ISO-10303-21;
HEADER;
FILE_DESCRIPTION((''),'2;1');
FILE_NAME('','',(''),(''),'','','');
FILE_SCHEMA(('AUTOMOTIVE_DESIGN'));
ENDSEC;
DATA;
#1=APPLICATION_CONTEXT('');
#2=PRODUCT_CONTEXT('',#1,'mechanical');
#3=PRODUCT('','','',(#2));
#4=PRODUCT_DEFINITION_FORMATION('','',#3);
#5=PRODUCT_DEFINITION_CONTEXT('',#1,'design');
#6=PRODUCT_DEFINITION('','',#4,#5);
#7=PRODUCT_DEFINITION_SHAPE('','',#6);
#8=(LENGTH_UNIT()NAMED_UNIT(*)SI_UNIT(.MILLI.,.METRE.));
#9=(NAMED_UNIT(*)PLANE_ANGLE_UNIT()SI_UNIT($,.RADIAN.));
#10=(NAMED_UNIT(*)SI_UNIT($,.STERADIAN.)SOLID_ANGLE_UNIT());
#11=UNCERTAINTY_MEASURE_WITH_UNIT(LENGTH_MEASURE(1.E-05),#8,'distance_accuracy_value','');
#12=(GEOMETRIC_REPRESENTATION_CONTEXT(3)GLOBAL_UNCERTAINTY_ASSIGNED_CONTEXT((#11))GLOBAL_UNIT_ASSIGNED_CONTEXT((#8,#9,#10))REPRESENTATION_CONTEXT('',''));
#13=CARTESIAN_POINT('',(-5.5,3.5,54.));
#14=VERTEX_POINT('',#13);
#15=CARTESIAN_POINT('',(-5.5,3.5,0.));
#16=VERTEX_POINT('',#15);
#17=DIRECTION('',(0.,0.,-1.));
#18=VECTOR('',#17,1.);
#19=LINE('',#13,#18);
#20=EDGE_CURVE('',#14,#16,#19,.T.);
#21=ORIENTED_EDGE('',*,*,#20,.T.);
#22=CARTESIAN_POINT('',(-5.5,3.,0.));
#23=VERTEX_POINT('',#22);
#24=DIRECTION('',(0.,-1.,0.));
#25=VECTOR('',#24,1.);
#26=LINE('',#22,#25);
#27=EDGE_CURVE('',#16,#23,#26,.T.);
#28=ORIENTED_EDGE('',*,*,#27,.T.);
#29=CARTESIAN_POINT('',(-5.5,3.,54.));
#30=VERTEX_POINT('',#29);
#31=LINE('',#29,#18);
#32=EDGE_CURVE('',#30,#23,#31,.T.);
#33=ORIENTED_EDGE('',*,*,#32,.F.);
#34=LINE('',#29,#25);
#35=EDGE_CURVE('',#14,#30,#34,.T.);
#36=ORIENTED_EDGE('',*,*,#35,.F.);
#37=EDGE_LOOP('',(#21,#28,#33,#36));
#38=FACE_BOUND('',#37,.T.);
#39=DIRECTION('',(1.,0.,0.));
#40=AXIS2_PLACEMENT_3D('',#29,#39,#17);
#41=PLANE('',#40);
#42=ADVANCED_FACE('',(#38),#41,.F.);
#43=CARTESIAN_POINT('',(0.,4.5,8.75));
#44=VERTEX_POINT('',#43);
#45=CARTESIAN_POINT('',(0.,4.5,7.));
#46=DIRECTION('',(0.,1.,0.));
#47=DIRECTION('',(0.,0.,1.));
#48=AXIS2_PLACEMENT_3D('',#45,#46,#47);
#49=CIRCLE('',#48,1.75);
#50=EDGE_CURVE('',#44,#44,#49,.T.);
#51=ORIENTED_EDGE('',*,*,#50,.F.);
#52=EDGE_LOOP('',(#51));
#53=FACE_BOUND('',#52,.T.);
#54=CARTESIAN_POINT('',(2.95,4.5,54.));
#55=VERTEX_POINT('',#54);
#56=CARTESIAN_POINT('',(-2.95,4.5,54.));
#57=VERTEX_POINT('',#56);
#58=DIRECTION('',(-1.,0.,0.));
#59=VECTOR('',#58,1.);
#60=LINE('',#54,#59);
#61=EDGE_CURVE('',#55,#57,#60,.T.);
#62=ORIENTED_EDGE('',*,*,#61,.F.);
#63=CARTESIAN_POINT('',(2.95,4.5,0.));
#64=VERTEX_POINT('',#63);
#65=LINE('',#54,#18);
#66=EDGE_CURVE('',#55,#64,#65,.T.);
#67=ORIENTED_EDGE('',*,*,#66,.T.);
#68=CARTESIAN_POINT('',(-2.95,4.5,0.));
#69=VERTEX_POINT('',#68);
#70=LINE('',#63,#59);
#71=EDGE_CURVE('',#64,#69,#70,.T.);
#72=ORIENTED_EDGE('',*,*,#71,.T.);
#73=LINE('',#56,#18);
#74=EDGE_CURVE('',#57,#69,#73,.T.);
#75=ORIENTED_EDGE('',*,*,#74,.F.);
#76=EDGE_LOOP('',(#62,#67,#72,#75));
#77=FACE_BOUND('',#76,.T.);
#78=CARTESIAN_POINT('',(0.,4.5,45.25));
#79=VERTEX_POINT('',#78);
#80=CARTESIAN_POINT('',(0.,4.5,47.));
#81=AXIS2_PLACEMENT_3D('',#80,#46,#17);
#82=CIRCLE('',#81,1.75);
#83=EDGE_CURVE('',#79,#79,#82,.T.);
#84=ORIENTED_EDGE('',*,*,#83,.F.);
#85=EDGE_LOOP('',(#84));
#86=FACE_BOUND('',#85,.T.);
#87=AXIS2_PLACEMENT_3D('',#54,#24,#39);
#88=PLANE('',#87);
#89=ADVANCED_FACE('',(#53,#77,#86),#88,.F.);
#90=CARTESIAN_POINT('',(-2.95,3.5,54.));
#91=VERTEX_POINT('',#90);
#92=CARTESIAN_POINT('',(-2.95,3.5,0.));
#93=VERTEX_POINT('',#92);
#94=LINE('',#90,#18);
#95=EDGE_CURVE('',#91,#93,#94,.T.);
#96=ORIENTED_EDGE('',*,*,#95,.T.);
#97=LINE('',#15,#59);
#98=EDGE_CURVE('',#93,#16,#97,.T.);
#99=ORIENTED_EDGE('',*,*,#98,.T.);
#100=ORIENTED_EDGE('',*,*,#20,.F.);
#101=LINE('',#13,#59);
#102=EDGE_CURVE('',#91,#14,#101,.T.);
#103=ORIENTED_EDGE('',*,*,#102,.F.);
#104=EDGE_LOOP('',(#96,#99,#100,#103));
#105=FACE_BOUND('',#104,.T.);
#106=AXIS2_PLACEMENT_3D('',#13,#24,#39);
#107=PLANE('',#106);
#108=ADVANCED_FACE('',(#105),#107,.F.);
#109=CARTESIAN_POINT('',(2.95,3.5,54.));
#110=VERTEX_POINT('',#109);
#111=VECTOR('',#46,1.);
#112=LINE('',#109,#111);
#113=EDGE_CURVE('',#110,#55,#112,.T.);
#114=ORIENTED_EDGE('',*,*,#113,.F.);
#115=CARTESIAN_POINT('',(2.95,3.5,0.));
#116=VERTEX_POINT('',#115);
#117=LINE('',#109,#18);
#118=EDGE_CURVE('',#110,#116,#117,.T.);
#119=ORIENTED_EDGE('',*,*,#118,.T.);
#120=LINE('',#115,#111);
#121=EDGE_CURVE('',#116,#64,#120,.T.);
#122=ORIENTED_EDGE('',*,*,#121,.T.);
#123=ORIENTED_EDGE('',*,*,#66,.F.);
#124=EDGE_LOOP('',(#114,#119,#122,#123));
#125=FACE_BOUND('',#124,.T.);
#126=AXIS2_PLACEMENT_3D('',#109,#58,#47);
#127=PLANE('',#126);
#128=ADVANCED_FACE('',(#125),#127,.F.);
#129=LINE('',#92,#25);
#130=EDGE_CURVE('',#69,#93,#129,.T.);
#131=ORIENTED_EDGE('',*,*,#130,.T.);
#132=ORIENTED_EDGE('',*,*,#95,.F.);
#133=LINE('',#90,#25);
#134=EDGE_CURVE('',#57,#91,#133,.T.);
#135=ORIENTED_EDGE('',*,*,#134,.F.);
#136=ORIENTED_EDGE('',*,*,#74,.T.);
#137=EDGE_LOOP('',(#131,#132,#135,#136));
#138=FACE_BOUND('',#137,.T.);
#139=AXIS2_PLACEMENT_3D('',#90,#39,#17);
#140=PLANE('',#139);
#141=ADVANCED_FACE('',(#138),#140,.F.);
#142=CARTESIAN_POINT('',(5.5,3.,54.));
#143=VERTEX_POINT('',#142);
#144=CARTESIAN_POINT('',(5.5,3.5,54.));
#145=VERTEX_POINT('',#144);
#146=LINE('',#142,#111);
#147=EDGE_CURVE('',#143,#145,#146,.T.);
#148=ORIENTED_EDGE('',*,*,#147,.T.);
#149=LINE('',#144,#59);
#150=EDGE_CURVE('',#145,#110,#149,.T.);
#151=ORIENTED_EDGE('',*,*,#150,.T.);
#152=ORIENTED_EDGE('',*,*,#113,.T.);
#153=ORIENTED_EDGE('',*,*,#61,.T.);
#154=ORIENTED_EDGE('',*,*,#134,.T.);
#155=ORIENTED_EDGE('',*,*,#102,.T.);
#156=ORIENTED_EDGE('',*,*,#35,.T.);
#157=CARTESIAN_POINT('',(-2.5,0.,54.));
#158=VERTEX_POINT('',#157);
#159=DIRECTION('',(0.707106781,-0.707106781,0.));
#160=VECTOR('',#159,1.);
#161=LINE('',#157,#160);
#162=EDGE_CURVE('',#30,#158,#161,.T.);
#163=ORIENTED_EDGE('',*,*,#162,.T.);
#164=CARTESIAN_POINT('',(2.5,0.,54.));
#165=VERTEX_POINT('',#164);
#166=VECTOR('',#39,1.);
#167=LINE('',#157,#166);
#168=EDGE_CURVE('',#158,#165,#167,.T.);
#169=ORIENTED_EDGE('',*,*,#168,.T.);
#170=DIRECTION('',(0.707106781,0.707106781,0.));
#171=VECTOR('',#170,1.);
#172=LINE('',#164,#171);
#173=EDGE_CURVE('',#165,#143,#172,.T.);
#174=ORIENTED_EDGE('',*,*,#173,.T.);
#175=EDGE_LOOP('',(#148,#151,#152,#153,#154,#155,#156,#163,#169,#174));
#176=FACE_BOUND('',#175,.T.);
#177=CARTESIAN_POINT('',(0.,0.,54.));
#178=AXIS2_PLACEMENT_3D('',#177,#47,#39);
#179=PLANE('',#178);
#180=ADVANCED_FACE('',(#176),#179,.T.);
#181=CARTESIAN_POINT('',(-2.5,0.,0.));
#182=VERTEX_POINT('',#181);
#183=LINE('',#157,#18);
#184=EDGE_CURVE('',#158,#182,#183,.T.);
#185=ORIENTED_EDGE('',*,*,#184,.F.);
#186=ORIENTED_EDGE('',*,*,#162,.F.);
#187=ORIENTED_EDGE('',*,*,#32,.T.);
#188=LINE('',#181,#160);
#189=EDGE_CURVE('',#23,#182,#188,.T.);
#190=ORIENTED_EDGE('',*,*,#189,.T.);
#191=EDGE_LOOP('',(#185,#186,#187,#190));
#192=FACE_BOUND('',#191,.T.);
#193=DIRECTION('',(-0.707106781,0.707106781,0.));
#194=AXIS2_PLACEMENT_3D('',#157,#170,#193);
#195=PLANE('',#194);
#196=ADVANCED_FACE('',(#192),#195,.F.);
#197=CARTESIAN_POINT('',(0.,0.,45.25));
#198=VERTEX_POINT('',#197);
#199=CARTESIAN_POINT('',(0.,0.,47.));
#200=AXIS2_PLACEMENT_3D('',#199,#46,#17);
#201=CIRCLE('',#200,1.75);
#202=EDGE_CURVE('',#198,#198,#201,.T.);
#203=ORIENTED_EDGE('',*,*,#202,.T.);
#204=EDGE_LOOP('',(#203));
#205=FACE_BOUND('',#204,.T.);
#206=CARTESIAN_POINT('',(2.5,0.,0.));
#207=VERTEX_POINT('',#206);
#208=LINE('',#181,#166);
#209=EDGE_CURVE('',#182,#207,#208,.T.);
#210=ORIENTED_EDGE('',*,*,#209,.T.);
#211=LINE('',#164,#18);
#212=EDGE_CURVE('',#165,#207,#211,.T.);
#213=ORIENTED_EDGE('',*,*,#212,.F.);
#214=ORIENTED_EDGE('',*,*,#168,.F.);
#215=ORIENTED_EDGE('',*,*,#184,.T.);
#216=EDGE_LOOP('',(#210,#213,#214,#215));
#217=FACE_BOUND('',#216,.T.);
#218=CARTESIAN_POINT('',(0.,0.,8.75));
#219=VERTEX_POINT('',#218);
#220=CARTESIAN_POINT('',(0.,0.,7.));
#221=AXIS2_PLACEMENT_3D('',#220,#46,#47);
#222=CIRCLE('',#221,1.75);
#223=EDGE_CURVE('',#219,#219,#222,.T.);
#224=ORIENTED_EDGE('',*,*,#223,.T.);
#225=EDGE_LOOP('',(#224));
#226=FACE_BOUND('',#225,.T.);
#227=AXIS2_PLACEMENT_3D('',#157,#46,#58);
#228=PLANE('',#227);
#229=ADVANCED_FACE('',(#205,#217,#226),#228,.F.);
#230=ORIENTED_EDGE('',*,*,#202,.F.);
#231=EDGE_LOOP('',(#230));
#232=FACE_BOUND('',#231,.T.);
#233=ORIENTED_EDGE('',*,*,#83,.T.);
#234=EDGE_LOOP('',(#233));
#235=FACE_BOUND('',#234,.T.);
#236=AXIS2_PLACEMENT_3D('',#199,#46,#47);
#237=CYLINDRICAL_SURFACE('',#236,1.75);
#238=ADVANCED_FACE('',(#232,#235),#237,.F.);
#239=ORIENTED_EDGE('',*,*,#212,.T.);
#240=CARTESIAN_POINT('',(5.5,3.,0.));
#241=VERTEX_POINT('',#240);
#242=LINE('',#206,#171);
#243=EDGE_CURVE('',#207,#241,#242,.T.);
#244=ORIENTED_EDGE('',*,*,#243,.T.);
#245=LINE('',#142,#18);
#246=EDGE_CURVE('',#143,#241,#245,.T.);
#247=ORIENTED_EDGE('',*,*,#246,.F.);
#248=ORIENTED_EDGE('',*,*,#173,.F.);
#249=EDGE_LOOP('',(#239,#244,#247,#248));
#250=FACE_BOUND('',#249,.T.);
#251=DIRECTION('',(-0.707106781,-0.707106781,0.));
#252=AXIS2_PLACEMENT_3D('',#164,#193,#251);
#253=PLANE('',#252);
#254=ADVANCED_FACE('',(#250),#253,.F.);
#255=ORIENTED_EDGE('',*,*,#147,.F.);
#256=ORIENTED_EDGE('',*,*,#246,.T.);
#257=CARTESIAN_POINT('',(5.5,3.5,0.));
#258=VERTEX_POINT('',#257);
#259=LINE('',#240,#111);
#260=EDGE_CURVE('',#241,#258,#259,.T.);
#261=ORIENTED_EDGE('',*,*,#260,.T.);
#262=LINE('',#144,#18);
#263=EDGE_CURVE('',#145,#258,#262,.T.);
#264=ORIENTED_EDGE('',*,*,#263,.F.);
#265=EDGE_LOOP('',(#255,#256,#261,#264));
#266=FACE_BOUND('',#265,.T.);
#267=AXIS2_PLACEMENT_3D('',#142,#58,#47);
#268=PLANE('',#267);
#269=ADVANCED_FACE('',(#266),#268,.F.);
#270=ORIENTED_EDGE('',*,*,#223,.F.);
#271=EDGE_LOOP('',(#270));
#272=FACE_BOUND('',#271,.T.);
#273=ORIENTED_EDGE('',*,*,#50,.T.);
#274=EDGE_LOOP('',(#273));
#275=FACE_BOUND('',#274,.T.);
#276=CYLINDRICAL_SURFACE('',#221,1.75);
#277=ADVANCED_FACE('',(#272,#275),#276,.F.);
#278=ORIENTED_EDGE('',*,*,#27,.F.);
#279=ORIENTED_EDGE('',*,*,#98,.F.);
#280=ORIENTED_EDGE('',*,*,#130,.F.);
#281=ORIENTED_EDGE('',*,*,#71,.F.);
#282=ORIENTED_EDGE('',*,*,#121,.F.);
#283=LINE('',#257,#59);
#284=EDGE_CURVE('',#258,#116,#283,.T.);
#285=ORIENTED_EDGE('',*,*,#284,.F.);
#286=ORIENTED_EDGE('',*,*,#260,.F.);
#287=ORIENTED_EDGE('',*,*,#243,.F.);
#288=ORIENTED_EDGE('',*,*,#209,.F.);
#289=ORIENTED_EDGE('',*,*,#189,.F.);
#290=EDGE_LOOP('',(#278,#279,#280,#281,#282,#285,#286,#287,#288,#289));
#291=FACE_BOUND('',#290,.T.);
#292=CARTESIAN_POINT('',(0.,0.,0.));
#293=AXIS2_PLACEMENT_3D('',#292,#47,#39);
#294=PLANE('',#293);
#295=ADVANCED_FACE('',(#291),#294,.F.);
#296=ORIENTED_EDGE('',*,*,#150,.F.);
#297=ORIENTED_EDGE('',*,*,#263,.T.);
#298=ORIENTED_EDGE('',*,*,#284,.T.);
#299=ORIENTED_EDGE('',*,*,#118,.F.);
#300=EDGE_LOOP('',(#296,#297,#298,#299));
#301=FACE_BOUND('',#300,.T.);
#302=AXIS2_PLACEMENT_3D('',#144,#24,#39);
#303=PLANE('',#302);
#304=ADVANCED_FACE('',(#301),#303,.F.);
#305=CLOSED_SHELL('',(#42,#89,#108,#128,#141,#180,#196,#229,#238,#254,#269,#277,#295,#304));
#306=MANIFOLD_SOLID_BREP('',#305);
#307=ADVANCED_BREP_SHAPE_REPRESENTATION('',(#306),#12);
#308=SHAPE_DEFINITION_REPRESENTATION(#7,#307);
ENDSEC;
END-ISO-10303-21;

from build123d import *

# Parameters (mm, degrees)
BOSS_EXTRU_1_DEPTH      = 54
ESQUISSE2_R             = 1.75
ENL_V_MAT_EXTRU_1_DEPTH = 55.465585465


with BuildPart() as part:
    # Esquisse1 → Boss.-Extru.1 (new body)
    with BuildSketch(Plane.XY):
        Polygon((-2.5, 0), (2.5, 0), (5.5, 3), (5.5, 3.5), (2.95, 3.5), (2.95, 4.5), (-2.95, 4.5), (-2.95, 3.5), (-5.5, 3.5), (-5.5, 3), align=None)
    extrude(amount=BOSS_EXTRU_1_DEPTH)

    # Esquisse2 → Enlèv. mat.-Extru.1 (cut, through all)
    with BuildSketch(Plane(origin=(0, 4.5, 0), x_dir=(1, 0, 0), z_dir=(0, 1, 0))):
        with Locations(Location((0, -7, 0), (0, 0, 270))):
            Circle(ESQUISSE2_R)
        with Locations(Location((0, -47, 0), (0, 0, 90))):
            Circle(ESQUISSE2_R)
    extrude(amount=-ENL_V_MAT_EXTRU_1_DEPTH, mode=Mode.SUBTRACT)


solid = part.part
